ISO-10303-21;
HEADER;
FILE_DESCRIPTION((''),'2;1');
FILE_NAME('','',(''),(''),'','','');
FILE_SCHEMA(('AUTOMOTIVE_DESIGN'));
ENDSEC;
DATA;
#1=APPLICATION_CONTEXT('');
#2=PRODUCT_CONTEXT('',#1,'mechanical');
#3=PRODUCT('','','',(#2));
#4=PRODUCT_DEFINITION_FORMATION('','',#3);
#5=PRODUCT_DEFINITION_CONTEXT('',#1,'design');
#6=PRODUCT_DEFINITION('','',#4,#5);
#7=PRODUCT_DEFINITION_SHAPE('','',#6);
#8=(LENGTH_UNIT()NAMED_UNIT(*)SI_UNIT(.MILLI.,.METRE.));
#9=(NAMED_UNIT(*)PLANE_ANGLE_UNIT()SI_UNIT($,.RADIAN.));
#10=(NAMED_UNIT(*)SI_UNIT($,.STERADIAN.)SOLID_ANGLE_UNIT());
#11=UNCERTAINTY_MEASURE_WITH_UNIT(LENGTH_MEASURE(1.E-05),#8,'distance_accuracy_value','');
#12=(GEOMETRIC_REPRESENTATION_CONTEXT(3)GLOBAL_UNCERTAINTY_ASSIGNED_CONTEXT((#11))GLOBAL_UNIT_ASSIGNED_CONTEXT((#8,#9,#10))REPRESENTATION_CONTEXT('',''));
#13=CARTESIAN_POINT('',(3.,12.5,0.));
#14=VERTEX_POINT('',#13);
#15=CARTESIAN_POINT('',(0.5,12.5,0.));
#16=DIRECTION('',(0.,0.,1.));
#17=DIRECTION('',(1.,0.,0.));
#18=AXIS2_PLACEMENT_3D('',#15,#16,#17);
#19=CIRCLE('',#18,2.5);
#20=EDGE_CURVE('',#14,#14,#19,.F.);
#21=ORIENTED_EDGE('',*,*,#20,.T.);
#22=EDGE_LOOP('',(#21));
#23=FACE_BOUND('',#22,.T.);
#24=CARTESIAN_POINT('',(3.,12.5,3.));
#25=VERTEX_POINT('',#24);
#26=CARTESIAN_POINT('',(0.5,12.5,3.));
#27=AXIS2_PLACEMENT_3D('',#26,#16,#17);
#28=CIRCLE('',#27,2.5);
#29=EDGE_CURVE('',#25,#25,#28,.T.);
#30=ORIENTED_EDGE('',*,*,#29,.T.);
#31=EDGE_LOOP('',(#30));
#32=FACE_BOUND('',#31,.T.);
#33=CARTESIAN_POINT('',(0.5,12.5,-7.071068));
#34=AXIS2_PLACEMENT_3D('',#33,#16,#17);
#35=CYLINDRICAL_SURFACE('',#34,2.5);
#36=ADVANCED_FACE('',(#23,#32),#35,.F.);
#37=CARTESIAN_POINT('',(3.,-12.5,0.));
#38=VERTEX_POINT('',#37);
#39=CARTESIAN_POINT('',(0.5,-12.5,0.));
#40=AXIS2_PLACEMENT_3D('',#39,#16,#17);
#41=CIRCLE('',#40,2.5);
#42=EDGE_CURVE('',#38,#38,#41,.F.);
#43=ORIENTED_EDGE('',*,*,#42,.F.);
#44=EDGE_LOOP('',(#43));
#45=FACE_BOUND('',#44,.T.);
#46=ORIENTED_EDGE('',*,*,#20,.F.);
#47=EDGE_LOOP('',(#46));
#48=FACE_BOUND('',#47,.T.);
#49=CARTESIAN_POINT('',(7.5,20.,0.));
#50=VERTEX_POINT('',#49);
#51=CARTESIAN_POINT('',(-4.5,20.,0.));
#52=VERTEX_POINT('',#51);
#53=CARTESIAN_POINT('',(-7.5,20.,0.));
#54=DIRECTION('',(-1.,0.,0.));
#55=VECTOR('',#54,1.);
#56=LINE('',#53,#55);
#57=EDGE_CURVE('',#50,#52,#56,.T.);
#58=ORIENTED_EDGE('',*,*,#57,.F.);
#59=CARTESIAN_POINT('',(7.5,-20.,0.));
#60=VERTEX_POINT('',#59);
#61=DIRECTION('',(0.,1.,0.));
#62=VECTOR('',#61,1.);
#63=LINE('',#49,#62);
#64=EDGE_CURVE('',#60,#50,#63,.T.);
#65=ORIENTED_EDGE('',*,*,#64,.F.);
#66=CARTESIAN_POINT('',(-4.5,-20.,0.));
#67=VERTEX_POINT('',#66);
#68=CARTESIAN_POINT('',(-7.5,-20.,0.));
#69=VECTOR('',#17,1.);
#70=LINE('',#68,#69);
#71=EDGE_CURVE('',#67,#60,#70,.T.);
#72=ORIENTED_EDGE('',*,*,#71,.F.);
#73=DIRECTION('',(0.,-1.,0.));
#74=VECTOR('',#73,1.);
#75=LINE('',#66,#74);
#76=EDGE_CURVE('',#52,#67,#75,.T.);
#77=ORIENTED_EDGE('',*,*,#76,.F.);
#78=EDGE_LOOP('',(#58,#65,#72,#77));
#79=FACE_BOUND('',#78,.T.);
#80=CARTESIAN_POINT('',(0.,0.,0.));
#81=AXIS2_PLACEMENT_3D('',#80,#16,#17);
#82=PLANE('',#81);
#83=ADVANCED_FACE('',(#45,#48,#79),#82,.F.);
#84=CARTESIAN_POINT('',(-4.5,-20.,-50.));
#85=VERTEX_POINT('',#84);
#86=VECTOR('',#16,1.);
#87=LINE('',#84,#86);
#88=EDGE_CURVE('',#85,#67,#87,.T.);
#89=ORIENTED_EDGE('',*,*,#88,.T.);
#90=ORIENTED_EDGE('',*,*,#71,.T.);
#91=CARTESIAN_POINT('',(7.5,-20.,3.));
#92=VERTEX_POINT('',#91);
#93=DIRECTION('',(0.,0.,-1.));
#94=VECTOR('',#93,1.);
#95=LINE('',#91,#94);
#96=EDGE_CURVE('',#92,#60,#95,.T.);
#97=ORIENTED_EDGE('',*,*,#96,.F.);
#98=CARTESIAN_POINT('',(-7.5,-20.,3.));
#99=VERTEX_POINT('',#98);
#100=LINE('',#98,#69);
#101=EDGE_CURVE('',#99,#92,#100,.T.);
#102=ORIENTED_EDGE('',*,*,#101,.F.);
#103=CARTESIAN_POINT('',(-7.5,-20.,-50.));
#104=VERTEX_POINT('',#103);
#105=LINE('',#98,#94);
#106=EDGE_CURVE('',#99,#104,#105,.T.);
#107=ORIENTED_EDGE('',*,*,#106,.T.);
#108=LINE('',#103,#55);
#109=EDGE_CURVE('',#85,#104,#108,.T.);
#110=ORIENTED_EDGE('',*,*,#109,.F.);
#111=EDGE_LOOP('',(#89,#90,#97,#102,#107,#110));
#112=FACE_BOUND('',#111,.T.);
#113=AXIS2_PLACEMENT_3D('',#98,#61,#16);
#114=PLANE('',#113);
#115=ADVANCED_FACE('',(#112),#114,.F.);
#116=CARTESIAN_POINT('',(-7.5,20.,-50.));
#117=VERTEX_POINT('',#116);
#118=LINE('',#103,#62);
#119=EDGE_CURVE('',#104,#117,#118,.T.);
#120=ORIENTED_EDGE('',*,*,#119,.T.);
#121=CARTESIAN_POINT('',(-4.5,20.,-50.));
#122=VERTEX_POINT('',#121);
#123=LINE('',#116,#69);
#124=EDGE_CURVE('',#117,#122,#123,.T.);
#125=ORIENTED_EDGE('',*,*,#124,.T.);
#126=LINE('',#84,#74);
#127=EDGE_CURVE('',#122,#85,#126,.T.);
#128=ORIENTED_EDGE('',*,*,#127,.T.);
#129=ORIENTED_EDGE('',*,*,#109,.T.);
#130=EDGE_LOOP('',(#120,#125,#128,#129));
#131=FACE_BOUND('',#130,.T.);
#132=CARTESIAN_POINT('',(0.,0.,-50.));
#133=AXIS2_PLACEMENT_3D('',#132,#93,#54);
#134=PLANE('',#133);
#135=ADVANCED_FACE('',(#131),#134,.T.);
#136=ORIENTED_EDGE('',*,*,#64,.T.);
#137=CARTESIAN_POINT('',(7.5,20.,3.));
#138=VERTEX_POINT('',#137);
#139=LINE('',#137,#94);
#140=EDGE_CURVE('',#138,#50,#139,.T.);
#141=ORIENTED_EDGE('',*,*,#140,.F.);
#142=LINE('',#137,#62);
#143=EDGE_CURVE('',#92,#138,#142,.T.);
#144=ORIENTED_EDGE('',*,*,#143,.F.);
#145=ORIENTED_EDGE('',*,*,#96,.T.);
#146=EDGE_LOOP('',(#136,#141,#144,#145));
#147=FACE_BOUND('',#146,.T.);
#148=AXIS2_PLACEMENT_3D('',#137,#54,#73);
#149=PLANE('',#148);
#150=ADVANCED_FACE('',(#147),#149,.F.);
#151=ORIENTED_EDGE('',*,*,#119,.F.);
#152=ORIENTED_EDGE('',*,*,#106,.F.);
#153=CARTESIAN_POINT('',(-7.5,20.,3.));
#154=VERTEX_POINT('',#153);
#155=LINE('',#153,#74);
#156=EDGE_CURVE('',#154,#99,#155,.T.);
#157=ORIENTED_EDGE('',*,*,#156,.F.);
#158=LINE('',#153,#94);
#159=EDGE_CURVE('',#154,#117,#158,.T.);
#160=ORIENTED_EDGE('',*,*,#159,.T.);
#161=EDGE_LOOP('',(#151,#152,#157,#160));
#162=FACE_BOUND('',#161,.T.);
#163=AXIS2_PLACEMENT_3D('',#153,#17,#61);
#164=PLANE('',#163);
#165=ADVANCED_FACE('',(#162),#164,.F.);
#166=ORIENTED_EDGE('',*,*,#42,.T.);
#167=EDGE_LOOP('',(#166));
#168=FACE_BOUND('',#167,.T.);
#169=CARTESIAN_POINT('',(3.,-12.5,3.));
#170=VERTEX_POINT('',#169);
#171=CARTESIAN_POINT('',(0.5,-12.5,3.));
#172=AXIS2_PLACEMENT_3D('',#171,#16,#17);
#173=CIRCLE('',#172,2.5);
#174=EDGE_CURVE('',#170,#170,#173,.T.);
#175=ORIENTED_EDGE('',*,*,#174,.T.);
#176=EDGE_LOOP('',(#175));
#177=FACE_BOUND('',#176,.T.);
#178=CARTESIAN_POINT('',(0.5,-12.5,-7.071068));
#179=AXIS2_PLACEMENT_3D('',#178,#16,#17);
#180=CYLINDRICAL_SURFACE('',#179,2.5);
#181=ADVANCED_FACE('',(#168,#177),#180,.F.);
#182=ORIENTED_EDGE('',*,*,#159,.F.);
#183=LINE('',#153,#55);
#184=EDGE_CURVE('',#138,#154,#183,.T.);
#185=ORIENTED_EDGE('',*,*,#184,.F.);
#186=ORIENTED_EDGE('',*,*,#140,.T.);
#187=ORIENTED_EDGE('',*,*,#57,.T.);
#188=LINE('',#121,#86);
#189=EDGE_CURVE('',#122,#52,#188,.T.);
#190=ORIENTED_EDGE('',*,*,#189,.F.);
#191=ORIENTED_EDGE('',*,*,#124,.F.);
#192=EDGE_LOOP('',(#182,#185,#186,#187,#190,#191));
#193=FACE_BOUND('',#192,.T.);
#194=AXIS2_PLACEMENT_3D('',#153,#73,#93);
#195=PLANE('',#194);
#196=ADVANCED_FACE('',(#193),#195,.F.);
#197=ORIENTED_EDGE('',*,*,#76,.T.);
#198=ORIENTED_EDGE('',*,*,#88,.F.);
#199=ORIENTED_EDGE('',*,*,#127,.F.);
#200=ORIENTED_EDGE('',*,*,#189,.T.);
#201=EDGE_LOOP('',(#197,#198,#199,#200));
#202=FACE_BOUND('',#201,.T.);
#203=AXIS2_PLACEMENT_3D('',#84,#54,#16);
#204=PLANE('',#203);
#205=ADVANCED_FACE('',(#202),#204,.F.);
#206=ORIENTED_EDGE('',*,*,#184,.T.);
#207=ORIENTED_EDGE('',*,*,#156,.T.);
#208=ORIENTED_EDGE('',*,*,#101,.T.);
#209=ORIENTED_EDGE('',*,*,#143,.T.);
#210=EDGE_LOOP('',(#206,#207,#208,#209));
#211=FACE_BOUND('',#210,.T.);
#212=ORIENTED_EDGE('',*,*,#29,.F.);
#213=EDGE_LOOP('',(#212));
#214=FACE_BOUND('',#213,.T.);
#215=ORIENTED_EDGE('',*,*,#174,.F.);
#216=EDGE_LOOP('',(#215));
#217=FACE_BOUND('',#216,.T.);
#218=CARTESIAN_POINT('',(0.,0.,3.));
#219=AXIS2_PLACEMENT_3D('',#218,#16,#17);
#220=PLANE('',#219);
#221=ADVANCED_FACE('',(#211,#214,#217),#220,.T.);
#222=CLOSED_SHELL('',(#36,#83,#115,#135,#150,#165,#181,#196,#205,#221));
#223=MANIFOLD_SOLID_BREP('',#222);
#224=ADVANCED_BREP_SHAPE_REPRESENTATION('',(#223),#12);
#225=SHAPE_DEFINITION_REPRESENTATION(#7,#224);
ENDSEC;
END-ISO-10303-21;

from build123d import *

# Parameters (mm, degrees)
SKETCH1_W           = 15
SKETCH1_H           = 40
BOSS_EXTRUDE1_DEPTH = 3
SKETCH2_W           = 3
SKETCH2_H           = 40
BOSS_EXTRUDE2_DEPTH = 50
SKETCH3_R           = 2.5
CUT_EXTRUDE1_DEPTH  = 3
LPATTERN1_COUNT     = 2
LPATTERN1_PITCH     = 25


with BuildPart() as part:
    # Sketch1 → Boss-Extrude1 (new body)
    with BuildSketch(Plane.XY):
        Rectangle(SKETCH1_W, SKETCH1_H)
    extrude(amount=BOSS_EXTRUDE1_DEPTH)

    # Sketch2 → Boss-Extrude2 (add)
    with BuildSketch(Plane(origin=(0, 0, 0), x_dir=(-1, 0, 0), z_dir=(0, 0, -1))):
        with Locations((6, 0)):
            Rectangle(SKETCH2_W, SKETCH2_H)
    extrude(amount=BOSS_EXTRUDE2_DEPTH)

    # Sketch3 → Cut-Extrude1 (cut)
    with BuildSketch(Plane.XY.offset(3)):
        with Locations((0.5, 12.5)):
            Circle(SKETCH3_R)
    cut_extrude1 = extrude(amount=-CUT_EXTRUDE1_DEPTH, mode=Mode.SUBTRACT)

    # LPattern1: Cut-Extrude1 ×2
    with Locations(*[(0, -i * LPATTERN1_PITCH, 0) for i in range(1, LPATTERN1_COUNT)]):
        add(cut_extrude1, mode=Mode.SUBTRACT)


solid = part.part
